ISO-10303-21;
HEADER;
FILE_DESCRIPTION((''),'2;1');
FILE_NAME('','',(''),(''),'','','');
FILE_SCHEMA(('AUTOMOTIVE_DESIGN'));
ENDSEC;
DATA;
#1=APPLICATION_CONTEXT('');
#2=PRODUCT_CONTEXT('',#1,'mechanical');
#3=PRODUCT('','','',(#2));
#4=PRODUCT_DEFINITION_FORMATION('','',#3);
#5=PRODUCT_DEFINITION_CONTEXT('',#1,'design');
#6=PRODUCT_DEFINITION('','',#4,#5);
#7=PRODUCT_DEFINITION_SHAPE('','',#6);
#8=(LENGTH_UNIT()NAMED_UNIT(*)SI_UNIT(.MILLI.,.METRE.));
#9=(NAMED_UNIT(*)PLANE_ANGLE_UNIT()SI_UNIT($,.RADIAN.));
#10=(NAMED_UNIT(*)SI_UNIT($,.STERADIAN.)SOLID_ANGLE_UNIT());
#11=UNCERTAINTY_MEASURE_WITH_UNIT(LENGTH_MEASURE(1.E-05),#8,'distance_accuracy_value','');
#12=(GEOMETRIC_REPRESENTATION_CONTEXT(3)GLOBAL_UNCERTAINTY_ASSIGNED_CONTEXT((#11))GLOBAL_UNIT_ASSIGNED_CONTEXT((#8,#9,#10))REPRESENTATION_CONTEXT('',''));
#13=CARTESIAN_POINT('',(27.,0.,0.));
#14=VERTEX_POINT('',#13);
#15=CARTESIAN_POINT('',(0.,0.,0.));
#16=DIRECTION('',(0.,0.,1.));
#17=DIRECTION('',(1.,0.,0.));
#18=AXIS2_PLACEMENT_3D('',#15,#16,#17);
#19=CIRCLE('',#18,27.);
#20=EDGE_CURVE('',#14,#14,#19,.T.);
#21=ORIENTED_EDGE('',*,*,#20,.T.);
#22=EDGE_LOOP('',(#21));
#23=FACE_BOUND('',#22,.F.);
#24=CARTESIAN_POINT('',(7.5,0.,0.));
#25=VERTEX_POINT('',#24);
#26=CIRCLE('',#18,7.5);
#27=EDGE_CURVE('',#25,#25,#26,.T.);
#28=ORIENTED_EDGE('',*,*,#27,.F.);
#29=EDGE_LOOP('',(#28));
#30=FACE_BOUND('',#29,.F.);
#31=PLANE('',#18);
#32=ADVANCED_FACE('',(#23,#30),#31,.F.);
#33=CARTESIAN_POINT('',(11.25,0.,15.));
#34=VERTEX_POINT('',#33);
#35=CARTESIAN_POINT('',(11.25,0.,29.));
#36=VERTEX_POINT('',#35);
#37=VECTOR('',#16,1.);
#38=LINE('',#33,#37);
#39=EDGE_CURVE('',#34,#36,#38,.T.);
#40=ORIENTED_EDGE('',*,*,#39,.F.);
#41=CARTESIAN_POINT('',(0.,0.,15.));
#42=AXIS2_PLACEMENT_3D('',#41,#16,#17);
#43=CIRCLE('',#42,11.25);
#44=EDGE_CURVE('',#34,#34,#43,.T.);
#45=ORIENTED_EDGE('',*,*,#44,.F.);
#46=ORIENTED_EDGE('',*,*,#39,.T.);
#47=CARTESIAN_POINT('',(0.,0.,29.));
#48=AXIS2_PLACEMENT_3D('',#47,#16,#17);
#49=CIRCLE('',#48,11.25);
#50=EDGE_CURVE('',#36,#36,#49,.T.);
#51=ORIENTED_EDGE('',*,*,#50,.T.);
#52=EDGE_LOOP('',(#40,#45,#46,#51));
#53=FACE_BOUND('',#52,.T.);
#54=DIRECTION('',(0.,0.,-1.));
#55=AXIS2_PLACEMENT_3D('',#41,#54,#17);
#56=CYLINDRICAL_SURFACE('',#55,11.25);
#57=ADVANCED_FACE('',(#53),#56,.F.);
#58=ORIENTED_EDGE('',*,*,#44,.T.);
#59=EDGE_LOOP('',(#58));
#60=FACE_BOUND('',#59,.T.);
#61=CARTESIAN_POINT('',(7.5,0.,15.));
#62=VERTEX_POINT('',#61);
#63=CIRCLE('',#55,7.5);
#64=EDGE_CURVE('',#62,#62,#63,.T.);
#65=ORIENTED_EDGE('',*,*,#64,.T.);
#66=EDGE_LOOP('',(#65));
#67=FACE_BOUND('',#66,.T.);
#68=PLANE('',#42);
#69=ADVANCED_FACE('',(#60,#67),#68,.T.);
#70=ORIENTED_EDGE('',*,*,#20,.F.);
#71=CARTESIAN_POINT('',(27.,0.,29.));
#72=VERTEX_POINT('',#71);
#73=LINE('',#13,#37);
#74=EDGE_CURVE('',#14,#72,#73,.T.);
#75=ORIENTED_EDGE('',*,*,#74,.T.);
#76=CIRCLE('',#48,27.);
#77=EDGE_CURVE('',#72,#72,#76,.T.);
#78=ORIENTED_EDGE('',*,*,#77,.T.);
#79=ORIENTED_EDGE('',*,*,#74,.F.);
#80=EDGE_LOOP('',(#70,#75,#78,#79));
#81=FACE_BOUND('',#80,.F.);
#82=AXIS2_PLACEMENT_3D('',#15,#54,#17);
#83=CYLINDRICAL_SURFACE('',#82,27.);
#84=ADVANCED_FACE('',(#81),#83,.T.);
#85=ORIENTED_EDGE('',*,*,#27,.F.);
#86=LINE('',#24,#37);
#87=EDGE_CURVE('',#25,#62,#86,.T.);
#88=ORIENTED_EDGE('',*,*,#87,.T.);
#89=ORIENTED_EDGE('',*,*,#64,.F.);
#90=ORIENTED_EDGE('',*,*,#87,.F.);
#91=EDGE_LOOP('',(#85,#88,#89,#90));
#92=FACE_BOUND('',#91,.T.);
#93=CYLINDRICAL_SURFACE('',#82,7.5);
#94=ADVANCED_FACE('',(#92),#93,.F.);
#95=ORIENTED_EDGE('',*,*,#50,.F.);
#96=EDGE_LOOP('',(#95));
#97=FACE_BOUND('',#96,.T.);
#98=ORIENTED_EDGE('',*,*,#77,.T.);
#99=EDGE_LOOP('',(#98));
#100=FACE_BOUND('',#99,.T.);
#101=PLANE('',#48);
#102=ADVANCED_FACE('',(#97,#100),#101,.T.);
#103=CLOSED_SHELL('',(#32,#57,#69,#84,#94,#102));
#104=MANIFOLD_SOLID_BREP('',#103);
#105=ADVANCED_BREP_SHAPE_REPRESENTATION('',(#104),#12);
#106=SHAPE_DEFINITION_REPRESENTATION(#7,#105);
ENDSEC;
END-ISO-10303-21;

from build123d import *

# Parameters (mm, degrees)
CYLINDER002_R     = 11.25
CYLINDER002_DEPTH = 14
CYLINDER001_R     = 7.5
CYLINDER001_DEPTH = 29
CYLINDER_R        = 27
CYLINDER_DEPTH    = 29


with BuildPart() as cylinder002:
    # Cylinder002 → Cylinder002 (new body)
    with BuildSketch(Plane.XY.offset(15)):
        Circle(CYLINDER002_R)
    extrude(amount=CYLINDER002_DEPTH)


with BuildPart() as fusion:
    # Cylinder001 → Cylinder001 (new body)
    with BuildSketch(Plane.XY):
        Circle(CYLINDER001_R)
    extrude(amount=CYLINDER001_DEPTH)

    # Fusion: union Cylinder002
    add(cylinder002.part)


with BuildPart() as singleadapter:
    # Cylinder → Cylinder (new body)
    with BuildSketch(Plane.XY):
        Circle(CYLINDER_R)
    extrude(amount=CYLINDER_DEPTH)

    # Cut: cut Fusion
    add(fusion.part, mode=Mode.SUBTRACT)


solid = singleadapter.part
